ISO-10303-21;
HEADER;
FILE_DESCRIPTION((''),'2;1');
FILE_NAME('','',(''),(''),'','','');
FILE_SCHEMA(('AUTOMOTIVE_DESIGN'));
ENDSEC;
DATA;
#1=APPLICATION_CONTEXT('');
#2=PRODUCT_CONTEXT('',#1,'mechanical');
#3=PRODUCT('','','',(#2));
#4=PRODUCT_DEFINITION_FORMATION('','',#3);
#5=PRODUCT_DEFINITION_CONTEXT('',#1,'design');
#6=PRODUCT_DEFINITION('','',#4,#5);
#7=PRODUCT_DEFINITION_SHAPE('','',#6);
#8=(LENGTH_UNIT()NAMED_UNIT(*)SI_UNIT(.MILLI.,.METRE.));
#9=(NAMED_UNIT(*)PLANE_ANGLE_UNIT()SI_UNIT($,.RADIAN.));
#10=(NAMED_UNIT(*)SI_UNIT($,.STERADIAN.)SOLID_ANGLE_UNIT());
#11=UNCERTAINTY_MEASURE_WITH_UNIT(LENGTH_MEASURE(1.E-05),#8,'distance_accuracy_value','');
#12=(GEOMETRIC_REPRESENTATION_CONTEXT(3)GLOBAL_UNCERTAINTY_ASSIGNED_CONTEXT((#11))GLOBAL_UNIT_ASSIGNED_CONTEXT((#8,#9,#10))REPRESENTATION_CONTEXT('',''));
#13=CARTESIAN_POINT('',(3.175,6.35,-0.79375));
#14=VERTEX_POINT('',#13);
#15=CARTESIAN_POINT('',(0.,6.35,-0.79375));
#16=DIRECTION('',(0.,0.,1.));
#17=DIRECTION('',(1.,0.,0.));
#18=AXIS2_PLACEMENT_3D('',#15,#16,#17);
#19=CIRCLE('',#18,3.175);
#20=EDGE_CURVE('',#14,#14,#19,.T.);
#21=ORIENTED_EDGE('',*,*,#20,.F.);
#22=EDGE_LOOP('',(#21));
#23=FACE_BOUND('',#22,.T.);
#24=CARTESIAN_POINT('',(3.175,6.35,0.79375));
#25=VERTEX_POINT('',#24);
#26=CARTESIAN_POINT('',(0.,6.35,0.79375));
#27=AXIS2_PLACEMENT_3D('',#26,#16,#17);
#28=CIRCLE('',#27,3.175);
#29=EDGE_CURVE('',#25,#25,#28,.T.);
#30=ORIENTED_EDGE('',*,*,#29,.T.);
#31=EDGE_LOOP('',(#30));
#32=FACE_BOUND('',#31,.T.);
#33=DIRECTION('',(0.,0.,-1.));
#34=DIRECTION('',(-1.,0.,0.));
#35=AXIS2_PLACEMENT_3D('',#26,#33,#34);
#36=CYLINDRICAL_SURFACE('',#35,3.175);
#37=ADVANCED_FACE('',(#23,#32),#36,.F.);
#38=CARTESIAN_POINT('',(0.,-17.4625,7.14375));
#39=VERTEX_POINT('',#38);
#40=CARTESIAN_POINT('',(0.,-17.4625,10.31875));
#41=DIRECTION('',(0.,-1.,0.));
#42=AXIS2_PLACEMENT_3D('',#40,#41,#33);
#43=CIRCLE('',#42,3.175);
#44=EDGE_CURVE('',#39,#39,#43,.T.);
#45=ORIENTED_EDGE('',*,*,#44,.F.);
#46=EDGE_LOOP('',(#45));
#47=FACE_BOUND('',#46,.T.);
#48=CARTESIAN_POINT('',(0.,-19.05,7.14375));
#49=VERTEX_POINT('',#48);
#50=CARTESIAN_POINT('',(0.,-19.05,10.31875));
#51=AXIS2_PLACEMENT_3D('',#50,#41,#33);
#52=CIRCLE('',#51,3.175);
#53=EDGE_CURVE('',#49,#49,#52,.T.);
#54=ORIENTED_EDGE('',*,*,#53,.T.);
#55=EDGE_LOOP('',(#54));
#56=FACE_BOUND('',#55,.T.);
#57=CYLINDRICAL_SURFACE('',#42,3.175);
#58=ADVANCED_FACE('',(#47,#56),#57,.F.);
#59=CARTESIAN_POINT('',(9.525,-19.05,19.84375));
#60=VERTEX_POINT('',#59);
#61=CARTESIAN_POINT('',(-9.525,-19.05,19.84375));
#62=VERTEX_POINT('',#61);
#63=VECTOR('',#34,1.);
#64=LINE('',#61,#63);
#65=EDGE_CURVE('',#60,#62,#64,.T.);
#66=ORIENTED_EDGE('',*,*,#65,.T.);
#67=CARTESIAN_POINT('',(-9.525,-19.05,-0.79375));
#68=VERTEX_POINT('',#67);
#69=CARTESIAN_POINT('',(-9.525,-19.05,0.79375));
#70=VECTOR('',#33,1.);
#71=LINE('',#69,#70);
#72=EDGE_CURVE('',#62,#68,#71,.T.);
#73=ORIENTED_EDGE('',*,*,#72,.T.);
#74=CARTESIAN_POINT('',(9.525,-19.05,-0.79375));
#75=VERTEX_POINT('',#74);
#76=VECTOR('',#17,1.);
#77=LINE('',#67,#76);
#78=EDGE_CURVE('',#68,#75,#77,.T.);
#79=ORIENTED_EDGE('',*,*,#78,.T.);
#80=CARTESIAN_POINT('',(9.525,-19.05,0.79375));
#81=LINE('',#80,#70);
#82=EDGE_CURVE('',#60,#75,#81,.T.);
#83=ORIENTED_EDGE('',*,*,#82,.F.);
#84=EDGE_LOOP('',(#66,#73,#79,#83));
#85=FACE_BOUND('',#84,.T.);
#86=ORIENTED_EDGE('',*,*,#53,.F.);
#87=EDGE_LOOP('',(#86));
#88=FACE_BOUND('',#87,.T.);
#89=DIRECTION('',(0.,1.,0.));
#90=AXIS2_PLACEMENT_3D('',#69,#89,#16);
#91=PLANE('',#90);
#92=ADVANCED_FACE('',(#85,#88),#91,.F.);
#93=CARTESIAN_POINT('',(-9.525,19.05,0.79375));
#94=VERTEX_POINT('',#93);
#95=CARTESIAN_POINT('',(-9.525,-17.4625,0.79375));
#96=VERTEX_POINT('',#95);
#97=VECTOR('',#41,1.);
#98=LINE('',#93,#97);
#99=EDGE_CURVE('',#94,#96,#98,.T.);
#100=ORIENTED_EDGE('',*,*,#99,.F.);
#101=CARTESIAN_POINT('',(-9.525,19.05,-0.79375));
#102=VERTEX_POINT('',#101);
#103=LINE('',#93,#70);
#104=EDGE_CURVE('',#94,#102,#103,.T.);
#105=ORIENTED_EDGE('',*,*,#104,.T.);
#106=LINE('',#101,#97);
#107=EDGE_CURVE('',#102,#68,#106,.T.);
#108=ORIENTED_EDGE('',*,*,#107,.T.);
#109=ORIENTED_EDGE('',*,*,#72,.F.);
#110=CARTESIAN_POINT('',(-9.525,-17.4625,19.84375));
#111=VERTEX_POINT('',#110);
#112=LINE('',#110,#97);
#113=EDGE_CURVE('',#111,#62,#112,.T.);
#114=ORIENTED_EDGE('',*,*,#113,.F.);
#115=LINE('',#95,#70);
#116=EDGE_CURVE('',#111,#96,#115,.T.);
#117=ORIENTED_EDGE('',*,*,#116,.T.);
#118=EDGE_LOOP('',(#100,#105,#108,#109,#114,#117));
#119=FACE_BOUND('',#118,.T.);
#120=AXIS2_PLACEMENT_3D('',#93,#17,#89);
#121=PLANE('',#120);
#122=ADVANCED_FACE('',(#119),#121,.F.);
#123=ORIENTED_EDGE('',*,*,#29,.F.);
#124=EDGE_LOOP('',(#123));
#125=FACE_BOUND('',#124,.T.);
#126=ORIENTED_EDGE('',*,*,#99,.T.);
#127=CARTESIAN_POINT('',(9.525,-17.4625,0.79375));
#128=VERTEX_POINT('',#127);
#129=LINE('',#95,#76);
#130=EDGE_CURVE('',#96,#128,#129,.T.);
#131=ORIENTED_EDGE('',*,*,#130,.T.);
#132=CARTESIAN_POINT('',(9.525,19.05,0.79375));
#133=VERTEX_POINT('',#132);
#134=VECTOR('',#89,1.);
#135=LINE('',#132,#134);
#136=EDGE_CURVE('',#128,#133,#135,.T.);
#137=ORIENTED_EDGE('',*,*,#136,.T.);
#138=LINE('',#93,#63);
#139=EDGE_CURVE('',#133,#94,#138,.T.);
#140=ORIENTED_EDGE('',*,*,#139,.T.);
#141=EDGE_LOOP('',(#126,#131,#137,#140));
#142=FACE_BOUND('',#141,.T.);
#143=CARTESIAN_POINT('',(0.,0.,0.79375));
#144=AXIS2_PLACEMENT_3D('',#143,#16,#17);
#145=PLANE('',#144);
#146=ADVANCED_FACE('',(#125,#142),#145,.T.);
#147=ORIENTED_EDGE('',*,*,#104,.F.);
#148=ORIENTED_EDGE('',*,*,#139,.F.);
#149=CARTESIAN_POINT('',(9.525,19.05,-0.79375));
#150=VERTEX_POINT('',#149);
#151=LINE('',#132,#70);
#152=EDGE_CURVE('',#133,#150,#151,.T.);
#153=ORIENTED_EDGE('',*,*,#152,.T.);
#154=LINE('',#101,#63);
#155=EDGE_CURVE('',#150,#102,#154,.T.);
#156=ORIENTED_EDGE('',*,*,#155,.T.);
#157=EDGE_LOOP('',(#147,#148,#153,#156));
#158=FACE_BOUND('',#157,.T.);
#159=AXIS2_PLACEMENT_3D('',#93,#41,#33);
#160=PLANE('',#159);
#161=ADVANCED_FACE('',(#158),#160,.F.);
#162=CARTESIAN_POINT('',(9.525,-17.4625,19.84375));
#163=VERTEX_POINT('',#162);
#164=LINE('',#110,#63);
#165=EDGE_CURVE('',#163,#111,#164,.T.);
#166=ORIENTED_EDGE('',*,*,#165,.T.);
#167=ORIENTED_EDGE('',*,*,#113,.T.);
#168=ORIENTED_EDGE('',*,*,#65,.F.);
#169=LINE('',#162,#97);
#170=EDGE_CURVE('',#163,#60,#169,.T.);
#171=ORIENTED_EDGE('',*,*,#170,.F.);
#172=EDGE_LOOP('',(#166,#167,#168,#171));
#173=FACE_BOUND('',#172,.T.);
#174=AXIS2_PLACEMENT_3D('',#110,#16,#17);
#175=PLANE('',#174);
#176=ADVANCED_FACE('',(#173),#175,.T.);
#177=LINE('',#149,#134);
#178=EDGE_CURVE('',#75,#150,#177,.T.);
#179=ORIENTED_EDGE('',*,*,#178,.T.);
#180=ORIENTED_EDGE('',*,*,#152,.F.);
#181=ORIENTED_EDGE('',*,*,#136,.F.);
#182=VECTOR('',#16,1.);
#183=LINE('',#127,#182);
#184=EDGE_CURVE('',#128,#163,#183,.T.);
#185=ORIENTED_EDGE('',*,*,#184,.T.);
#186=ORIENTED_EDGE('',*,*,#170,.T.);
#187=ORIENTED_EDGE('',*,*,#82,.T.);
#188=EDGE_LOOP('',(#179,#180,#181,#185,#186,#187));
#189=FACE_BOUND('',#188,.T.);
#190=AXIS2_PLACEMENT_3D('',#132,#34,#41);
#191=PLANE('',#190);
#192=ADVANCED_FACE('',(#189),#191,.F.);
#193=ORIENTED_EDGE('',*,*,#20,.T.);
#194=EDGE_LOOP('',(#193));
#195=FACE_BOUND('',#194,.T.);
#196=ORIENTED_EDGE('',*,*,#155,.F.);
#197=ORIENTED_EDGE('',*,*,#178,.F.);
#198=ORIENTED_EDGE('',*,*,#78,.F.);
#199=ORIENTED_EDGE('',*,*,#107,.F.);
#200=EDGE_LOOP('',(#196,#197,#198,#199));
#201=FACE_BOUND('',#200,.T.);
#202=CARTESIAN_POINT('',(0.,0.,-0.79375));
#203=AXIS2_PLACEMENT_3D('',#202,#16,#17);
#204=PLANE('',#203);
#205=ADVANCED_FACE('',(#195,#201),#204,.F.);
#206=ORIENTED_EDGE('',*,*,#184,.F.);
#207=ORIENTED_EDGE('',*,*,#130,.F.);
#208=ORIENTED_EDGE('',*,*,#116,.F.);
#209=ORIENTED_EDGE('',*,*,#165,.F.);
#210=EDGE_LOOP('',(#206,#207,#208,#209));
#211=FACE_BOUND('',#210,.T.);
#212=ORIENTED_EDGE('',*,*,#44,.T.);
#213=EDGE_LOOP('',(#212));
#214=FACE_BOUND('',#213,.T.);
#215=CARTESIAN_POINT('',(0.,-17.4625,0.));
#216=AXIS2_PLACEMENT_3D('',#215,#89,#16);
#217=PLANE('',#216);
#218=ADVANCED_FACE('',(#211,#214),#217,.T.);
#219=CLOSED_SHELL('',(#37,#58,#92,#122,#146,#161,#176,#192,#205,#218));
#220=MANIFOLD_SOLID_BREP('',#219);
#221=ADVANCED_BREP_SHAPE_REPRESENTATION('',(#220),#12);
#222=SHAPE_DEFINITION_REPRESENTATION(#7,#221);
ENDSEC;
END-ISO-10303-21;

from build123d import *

# Parameters (mm, degrees)
SKETCH1_W           = 19.05
SKETCH1_H           = 38.1
SKETCH1_R           = 3.175
BOSS_EXTRUDE1_DEPTH = 0.79375
SKETCH2_W           = 19.05
SKETCH2_H           = 19.05
SKETCH2_R           = 3.175
BOSS_EXTRUDE2_DEPTH = 1.5875


with BuildPart() as part:
    # Sketch1 → Boss-Extrude1 (new body, symmetric)
    with BuildSketch(Plane.XY):
        Rectangle(SKETCH1_W, SKETCH1_H)
        with Locations((0, 6.35)):
            Circle(SKETCH1_R, mode=Mode.SUBTRACT)
    extrude(amount=BOSS_EXTRUDE1_DEPTH, both=True)

    # Sketch2 → Boss-Extrude2 (add)
    with BuildSketch(Plane.XZ.offset(19.05)):
        with Locations((0, 10.31875)):
            Rectangle(SKETCH2_W, SKETCH2_H)
        with Locations((0, 10.31875)):
            Circle(SKETCH2_R, mode=Mode.SUBTRACT)
    extrude(amount=-BOSS_EXTRUDE2_DEPTH)


solid = part.part
